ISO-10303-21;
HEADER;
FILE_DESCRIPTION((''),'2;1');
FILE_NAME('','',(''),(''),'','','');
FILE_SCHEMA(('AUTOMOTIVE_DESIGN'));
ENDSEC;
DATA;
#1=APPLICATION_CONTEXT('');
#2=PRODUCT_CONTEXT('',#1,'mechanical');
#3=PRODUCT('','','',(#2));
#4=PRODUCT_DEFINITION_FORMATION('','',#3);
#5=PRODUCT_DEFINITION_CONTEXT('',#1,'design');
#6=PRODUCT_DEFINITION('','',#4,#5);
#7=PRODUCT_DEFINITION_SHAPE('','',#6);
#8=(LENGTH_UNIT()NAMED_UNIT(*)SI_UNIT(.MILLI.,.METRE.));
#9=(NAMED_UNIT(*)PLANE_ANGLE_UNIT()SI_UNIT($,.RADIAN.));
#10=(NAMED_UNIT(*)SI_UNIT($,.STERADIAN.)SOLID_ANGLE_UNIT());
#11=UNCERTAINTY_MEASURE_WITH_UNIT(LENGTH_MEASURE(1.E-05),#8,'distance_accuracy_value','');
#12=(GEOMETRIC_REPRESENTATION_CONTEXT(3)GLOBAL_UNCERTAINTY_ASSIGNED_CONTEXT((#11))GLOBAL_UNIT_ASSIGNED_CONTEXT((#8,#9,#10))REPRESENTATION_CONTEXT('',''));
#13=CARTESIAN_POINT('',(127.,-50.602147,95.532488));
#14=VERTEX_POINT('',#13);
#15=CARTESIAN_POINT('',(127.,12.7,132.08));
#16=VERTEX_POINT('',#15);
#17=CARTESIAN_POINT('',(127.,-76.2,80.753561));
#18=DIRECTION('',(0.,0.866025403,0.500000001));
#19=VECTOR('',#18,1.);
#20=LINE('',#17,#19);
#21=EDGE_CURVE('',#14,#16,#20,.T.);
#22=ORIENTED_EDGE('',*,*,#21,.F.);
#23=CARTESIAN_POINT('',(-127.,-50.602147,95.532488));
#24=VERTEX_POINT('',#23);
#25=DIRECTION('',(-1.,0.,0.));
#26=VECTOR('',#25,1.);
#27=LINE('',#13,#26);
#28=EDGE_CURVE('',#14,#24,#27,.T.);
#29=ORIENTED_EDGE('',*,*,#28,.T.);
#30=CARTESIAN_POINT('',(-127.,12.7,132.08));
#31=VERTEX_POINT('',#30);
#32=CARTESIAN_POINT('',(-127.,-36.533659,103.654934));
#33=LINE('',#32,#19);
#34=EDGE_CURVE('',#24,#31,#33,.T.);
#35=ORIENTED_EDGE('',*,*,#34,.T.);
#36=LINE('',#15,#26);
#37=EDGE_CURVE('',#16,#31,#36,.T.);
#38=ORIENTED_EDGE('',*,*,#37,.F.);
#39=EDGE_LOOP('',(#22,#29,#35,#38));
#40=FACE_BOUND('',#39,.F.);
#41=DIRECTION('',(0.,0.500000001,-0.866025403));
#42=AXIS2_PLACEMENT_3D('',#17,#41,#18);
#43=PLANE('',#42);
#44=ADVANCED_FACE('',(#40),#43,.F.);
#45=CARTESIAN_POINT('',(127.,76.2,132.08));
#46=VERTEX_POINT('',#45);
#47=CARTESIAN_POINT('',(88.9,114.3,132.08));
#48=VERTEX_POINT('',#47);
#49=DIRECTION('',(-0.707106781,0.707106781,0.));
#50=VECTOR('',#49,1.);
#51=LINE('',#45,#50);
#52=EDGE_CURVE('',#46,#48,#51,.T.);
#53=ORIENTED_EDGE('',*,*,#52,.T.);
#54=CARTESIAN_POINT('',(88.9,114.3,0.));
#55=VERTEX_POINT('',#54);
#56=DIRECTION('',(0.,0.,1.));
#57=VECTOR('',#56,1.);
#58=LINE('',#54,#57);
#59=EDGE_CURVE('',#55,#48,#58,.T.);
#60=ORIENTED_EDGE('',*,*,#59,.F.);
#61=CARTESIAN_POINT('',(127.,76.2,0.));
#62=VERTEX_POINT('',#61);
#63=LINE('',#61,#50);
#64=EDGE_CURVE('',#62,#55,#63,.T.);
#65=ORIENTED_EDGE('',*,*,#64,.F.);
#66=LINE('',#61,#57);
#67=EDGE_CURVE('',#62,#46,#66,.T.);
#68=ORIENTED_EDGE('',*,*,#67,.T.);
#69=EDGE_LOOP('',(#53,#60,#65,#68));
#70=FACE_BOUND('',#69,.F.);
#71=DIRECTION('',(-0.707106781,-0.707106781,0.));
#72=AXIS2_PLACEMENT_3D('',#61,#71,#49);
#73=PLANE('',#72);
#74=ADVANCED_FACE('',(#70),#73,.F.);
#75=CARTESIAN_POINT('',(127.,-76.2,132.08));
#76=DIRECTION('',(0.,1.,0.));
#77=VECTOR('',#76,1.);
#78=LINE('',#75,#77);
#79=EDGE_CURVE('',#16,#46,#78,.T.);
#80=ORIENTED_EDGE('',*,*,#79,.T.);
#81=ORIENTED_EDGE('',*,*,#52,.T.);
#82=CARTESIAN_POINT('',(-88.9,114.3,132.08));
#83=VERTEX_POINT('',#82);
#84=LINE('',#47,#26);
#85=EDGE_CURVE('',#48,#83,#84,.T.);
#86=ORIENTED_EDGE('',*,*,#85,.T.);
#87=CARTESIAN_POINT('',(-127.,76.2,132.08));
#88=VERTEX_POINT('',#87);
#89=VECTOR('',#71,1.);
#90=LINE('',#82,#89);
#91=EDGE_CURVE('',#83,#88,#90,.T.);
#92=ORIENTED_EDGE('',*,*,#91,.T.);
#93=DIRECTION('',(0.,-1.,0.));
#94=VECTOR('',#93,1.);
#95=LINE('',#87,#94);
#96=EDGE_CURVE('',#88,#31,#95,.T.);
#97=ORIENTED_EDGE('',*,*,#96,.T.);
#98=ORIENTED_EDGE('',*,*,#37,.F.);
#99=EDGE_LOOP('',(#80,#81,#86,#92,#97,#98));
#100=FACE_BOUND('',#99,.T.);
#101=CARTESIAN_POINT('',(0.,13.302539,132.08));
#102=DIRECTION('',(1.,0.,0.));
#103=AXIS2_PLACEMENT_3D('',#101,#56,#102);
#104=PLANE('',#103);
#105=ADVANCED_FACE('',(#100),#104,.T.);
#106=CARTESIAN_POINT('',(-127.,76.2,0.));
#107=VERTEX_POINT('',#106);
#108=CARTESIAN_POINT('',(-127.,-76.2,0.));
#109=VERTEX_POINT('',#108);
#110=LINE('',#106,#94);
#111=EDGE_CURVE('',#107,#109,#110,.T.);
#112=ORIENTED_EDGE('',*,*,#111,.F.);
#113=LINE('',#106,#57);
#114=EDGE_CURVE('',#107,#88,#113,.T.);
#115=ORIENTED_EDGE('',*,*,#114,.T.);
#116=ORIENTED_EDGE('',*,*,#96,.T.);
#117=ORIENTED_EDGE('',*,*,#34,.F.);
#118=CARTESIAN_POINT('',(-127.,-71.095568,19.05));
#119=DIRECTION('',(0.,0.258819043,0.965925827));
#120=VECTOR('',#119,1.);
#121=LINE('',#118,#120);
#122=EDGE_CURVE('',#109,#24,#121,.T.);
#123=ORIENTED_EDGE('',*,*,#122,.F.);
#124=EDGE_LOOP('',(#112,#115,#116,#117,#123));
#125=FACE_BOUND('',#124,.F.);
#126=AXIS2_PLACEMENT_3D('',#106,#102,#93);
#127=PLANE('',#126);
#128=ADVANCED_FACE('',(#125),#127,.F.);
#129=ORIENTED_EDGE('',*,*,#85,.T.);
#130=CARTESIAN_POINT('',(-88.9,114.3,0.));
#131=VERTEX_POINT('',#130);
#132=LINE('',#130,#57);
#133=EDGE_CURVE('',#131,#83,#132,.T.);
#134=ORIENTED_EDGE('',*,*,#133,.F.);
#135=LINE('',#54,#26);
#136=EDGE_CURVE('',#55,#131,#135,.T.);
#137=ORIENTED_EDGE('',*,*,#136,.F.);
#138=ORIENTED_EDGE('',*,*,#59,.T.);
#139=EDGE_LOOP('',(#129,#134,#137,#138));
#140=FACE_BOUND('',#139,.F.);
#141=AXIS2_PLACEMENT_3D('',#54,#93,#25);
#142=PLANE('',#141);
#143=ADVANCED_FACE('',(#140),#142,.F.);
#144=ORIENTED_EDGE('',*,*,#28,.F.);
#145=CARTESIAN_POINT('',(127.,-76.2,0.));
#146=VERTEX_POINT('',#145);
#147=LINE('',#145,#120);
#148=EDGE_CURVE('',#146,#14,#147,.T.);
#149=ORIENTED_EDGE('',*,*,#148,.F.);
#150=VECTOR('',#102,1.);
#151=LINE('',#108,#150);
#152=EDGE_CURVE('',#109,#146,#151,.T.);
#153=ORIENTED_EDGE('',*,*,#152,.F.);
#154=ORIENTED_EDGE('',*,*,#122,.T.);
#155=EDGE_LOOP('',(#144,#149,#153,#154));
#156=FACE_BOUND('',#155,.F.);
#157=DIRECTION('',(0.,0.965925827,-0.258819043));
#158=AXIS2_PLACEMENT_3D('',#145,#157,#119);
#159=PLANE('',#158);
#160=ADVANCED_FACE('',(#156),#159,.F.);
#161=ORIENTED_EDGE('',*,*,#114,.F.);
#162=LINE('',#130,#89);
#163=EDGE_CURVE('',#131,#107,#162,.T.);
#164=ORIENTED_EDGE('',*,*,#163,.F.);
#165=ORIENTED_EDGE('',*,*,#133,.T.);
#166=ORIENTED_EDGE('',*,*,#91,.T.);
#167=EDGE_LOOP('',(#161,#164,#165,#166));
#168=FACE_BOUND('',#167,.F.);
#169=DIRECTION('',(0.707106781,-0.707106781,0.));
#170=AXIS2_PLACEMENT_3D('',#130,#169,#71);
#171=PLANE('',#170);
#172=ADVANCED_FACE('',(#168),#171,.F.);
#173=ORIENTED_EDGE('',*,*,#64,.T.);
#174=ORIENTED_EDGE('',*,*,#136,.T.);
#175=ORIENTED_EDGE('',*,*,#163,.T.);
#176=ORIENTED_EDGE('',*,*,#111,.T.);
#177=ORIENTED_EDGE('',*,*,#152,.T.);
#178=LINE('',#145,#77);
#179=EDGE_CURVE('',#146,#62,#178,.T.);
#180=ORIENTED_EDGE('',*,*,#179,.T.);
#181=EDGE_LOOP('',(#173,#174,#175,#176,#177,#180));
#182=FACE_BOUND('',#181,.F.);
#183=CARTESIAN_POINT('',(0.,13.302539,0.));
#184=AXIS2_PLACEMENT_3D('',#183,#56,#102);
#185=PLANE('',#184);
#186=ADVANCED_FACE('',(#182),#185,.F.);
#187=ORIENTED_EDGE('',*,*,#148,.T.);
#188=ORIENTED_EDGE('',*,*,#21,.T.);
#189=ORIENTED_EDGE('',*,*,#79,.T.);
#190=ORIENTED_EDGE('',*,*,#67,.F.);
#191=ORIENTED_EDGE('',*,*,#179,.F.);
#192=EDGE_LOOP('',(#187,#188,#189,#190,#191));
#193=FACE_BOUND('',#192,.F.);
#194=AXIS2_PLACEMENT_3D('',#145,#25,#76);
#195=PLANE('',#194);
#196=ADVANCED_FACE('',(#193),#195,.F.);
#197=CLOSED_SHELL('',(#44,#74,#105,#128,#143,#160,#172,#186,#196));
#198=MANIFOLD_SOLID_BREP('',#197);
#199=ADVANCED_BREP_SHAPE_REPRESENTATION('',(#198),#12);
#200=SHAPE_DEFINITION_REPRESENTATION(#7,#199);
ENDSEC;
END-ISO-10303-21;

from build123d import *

# Parameters (mm, degrees)
F1_DEPTH = 132.08
F3_DEPTH = 254.001
F5_DEPTH = 254.001


with BuildPart() as f1:
    # F0 (on Top) → F1 (new body)
    with BuildSketch(Plane.XY):
        Polygon((-127, 76.2), (-127, -76.2), (127, -76.2), (127, 76.2), (88.9, 114.3), (-88.9, 114.3), align=None)
    extrude(amount=F1_DEPTH)

    # F2 (on face) → F3 (cut, through all)
    with BuildSketch(Plane.YZ.offset(127)):
        Polygon((-76.2, 132.08), (-76.2, 0), (-40.809271, 132.08), align=None)
    extrude(amount=-F3_DEPTH, mode=Mode.SUBTRACT)

    # F4 (on face) → F5 (cut, through all)
    with BuildSketch(Plane.YZ.offset(127)):
        Polygon((12.7, 132.08), (-76.2, 132.08), (-76.2, 80.753561), align=None)
    extrude(amount=-F5_DEPTH, mode=Mode.SUBTRACT)


solid = f1.part
